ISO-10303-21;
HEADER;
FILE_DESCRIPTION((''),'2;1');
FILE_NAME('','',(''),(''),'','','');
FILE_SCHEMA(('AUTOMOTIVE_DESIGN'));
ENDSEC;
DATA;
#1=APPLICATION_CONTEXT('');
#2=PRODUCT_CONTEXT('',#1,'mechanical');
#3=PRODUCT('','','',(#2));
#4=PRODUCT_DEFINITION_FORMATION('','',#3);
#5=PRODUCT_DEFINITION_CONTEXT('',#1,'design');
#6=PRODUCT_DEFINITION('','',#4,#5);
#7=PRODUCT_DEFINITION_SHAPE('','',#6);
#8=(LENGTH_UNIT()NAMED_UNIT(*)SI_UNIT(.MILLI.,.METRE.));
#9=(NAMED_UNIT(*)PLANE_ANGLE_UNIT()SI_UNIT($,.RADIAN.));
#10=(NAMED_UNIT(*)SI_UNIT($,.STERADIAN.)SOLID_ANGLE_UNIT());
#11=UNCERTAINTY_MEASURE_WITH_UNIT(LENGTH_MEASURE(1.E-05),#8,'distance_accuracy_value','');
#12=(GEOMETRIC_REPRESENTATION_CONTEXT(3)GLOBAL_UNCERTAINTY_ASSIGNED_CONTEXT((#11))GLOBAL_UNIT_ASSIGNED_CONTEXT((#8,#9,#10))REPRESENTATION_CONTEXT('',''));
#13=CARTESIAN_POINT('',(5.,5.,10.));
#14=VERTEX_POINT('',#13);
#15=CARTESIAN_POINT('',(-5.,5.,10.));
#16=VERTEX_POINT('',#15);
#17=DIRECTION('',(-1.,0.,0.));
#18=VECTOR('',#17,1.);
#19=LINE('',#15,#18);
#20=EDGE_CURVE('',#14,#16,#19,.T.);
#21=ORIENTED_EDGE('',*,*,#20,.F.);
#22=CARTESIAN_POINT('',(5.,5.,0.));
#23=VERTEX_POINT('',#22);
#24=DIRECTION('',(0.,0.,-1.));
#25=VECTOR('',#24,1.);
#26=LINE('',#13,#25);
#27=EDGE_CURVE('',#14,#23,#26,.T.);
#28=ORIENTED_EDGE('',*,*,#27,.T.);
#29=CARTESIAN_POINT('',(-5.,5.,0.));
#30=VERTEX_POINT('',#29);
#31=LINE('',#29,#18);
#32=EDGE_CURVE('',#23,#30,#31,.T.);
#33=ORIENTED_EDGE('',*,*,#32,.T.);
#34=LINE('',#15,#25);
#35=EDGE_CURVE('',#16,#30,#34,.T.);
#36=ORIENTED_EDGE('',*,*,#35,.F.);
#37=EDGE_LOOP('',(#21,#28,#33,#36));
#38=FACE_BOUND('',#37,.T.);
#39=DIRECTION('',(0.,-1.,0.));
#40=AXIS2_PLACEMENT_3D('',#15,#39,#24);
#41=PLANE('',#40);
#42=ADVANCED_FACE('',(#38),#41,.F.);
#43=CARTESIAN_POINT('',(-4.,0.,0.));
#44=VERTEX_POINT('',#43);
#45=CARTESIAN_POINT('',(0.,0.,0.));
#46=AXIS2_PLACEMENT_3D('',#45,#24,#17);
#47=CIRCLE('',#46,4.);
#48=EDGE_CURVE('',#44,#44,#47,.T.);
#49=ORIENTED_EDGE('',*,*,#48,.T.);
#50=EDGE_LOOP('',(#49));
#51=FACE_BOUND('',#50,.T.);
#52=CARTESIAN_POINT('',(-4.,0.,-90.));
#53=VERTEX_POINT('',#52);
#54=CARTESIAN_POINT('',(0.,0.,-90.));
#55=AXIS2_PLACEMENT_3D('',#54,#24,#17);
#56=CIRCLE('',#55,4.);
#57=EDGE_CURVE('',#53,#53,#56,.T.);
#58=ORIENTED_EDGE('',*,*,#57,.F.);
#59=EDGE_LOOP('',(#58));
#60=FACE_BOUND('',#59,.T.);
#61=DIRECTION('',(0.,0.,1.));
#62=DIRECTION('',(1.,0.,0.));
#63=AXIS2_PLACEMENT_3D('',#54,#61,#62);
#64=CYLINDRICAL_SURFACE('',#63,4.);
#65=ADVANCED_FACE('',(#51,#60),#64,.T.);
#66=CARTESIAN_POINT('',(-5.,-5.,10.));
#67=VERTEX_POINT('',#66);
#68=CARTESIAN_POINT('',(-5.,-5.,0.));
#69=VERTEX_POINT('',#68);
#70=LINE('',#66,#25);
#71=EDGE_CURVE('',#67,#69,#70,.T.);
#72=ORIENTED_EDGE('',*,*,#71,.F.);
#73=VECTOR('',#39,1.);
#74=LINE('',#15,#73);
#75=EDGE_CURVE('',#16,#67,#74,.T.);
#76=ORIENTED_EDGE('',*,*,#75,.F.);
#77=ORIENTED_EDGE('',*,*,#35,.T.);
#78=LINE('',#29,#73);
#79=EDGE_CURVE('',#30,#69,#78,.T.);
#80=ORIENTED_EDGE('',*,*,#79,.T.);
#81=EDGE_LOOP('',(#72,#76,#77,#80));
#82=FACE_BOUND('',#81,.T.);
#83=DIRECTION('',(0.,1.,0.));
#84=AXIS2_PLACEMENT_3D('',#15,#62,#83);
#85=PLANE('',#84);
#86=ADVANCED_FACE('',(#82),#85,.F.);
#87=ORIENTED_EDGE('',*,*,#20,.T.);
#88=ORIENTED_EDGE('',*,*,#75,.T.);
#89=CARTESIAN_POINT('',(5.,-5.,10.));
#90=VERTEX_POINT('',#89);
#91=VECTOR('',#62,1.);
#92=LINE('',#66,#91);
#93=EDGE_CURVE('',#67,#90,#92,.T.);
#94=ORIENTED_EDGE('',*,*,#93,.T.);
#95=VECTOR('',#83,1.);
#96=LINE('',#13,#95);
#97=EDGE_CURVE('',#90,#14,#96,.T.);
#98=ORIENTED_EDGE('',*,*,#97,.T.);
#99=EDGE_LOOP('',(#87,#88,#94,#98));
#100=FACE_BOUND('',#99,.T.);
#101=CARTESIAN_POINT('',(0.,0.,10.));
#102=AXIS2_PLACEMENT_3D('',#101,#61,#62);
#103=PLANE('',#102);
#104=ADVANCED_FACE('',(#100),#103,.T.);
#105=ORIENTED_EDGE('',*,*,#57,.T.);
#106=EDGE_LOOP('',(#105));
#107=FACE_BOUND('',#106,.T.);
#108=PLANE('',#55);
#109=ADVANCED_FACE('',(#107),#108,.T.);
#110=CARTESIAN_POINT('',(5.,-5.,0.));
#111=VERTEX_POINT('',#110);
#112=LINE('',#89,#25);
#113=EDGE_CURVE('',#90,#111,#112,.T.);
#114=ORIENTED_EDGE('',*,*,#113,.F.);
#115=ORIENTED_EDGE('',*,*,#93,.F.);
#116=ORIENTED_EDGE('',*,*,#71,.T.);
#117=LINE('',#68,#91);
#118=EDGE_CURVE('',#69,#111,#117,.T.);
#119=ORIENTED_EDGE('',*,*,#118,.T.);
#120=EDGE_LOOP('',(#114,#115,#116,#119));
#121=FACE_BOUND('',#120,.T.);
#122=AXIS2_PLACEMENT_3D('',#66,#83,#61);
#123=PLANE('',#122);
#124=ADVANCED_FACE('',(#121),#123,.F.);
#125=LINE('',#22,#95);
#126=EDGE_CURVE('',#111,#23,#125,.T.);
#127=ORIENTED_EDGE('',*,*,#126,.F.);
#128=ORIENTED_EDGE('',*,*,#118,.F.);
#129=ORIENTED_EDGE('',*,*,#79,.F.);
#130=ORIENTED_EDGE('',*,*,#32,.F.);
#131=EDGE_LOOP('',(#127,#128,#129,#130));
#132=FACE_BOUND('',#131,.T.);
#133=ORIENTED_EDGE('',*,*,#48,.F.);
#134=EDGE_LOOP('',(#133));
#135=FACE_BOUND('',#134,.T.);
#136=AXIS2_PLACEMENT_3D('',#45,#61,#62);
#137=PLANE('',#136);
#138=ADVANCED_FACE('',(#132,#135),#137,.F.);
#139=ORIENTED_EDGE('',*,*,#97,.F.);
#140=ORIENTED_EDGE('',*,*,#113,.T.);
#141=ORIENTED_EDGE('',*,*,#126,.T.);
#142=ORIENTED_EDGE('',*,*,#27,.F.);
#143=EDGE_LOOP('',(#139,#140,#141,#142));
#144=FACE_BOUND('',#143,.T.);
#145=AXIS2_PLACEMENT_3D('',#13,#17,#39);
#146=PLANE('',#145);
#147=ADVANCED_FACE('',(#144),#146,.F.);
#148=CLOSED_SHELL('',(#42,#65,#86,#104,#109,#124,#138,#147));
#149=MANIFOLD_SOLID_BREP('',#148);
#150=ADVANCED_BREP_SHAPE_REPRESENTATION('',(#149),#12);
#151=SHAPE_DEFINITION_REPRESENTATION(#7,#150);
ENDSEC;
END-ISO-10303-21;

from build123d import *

# Parameters (mm, degrees)
SKETCH_1_W      = 10
SKETCH_1_H      = 10
EXTRUDE_1_DEPTH = 10
SKETCH_2_R      = 4
EXTRUDE_2_DEPTH = 90


with BuildPart() as part:
    # 草图1 → 凸台-拉伸1 (new body)
    with BuildSketch(Plane.XY):
        Rectangle(SKETCH_1_W, SKETCH_1_H)
    extrude(amount=EXTRUDE_1_DEPTH)

    # 草图2 → 凸台-拉伸2 (add)
    with BuildSketch(Plane(origin=(0, 0, 0), x_dir=(-1, 0, 0), z_dir=(0, 0, -1))):
        Circle(SKETCH_2_R)
    extrude(amount=EXTRUDE_2_DEPTH)


solid = part.part
